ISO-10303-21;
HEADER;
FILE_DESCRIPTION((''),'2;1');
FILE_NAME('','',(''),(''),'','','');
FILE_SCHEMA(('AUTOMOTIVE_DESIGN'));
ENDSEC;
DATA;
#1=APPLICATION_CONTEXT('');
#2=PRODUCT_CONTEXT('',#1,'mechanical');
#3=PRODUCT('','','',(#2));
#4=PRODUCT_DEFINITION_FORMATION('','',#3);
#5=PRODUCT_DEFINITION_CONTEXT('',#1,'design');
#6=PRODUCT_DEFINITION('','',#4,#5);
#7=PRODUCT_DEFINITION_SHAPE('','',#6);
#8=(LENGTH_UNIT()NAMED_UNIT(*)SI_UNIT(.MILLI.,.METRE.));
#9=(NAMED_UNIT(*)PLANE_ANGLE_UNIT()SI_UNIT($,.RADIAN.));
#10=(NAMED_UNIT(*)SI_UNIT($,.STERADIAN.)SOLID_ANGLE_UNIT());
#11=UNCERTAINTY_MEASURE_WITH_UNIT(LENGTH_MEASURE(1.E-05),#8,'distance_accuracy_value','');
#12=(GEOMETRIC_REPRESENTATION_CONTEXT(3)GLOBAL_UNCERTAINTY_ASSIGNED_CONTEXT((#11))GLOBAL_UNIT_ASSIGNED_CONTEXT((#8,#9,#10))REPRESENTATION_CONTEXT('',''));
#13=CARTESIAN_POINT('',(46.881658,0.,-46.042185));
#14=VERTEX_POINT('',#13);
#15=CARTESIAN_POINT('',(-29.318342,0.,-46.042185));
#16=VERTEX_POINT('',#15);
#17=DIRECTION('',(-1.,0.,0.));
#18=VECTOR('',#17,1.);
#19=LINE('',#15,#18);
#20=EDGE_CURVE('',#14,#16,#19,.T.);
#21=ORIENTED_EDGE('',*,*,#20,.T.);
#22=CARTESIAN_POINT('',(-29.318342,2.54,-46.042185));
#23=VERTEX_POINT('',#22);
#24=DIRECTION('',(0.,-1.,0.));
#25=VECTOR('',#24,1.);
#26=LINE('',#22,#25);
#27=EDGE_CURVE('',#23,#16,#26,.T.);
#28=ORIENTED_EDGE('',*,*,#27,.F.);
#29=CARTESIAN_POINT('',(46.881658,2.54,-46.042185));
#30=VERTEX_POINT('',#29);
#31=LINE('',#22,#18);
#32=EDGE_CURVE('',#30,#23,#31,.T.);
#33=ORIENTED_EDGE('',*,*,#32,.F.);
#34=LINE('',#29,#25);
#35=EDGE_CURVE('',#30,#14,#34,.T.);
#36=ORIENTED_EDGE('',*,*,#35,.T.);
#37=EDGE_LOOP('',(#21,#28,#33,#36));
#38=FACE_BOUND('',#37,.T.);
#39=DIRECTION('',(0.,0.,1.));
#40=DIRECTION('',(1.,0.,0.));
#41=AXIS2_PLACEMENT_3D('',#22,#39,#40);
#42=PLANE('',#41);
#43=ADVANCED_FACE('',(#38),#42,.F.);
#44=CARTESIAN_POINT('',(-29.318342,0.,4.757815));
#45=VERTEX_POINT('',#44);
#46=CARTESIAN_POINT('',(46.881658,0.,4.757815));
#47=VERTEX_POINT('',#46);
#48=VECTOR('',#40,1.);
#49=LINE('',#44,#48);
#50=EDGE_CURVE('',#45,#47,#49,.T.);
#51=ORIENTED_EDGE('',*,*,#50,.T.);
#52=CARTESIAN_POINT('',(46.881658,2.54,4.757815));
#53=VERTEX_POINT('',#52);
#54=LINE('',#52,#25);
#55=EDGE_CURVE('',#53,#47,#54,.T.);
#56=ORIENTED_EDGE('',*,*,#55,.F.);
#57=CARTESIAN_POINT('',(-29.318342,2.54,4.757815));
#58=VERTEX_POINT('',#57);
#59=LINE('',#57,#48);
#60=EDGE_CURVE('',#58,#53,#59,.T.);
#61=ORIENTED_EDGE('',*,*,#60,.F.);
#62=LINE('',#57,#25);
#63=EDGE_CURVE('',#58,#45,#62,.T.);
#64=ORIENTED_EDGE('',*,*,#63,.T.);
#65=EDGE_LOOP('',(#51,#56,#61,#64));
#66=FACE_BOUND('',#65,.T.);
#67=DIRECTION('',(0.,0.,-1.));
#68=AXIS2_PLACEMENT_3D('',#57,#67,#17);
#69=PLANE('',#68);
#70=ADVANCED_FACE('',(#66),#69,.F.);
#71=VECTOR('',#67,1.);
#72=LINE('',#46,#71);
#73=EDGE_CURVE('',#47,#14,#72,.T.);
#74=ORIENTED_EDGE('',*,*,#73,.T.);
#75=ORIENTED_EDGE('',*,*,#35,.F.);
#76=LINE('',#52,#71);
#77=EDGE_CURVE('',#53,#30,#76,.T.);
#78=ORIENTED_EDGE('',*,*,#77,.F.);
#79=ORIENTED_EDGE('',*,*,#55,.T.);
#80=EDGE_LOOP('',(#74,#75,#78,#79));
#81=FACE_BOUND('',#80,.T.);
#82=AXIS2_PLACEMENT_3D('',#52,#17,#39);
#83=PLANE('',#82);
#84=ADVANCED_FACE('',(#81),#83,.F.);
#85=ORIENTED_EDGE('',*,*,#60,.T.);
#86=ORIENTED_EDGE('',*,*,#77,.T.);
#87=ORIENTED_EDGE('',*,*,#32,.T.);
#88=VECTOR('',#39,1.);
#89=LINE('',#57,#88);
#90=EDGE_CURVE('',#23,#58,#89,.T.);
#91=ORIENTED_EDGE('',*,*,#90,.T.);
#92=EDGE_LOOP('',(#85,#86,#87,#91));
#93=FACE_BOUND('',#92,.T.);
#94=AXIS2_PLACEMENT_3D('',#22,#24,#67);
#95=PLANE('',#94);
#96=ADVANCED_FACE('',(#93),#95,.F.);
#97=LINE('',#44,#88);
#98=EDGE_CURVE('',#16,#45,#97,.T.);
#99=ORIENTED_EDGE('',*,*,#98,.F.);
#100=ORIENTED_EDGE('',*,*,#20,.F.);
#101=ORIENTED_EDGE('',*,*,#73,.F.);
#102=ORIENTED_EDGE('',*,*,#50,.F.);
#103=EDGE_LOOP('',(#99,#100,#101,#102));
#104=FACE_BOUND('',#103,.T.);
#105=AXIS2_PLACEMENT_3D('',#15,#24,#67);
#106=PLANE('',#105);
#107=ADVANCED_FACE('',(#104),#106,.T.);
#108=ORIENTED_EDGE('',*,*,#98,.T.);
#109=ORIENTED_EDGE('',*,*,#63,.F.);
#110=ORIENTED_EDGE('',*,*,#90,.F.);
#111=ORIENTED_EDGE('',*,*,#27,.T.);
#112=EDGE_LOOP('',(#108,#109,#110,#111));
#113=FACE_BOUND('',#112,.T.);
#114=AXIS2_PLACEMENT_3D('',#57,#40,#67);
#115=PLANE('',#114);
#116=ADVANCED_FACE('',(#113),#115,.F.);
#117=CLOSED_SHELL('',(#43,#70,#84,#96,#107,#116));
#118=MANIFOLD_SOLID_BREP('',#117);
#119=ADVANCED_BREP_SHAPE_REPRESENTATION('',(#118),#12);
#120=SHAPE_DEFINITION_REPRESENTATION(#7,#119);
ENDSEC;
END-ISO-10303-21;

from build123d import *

# Parameters (mm, degrees)
SKETCH1_W      = 76.2
SKETCH1_H      = 50.8
EXTRUDE1_DEPTH = 2.54


with BuildPart() as part:
    # Sketch1 → Extrude1 (new body)
    with BuildSketch(Plane(origin=(0, 0, 0), x_dir=(1, 0, 0), z_dir=(0, 1, 0))):
        with Locations((8.781657892, 20.642185141)):
            Rectangle(SKETCH1_W, SKETCH1_H)
    extrude(amount=EXTRUDE1_DEPTH)


solid = part.part
